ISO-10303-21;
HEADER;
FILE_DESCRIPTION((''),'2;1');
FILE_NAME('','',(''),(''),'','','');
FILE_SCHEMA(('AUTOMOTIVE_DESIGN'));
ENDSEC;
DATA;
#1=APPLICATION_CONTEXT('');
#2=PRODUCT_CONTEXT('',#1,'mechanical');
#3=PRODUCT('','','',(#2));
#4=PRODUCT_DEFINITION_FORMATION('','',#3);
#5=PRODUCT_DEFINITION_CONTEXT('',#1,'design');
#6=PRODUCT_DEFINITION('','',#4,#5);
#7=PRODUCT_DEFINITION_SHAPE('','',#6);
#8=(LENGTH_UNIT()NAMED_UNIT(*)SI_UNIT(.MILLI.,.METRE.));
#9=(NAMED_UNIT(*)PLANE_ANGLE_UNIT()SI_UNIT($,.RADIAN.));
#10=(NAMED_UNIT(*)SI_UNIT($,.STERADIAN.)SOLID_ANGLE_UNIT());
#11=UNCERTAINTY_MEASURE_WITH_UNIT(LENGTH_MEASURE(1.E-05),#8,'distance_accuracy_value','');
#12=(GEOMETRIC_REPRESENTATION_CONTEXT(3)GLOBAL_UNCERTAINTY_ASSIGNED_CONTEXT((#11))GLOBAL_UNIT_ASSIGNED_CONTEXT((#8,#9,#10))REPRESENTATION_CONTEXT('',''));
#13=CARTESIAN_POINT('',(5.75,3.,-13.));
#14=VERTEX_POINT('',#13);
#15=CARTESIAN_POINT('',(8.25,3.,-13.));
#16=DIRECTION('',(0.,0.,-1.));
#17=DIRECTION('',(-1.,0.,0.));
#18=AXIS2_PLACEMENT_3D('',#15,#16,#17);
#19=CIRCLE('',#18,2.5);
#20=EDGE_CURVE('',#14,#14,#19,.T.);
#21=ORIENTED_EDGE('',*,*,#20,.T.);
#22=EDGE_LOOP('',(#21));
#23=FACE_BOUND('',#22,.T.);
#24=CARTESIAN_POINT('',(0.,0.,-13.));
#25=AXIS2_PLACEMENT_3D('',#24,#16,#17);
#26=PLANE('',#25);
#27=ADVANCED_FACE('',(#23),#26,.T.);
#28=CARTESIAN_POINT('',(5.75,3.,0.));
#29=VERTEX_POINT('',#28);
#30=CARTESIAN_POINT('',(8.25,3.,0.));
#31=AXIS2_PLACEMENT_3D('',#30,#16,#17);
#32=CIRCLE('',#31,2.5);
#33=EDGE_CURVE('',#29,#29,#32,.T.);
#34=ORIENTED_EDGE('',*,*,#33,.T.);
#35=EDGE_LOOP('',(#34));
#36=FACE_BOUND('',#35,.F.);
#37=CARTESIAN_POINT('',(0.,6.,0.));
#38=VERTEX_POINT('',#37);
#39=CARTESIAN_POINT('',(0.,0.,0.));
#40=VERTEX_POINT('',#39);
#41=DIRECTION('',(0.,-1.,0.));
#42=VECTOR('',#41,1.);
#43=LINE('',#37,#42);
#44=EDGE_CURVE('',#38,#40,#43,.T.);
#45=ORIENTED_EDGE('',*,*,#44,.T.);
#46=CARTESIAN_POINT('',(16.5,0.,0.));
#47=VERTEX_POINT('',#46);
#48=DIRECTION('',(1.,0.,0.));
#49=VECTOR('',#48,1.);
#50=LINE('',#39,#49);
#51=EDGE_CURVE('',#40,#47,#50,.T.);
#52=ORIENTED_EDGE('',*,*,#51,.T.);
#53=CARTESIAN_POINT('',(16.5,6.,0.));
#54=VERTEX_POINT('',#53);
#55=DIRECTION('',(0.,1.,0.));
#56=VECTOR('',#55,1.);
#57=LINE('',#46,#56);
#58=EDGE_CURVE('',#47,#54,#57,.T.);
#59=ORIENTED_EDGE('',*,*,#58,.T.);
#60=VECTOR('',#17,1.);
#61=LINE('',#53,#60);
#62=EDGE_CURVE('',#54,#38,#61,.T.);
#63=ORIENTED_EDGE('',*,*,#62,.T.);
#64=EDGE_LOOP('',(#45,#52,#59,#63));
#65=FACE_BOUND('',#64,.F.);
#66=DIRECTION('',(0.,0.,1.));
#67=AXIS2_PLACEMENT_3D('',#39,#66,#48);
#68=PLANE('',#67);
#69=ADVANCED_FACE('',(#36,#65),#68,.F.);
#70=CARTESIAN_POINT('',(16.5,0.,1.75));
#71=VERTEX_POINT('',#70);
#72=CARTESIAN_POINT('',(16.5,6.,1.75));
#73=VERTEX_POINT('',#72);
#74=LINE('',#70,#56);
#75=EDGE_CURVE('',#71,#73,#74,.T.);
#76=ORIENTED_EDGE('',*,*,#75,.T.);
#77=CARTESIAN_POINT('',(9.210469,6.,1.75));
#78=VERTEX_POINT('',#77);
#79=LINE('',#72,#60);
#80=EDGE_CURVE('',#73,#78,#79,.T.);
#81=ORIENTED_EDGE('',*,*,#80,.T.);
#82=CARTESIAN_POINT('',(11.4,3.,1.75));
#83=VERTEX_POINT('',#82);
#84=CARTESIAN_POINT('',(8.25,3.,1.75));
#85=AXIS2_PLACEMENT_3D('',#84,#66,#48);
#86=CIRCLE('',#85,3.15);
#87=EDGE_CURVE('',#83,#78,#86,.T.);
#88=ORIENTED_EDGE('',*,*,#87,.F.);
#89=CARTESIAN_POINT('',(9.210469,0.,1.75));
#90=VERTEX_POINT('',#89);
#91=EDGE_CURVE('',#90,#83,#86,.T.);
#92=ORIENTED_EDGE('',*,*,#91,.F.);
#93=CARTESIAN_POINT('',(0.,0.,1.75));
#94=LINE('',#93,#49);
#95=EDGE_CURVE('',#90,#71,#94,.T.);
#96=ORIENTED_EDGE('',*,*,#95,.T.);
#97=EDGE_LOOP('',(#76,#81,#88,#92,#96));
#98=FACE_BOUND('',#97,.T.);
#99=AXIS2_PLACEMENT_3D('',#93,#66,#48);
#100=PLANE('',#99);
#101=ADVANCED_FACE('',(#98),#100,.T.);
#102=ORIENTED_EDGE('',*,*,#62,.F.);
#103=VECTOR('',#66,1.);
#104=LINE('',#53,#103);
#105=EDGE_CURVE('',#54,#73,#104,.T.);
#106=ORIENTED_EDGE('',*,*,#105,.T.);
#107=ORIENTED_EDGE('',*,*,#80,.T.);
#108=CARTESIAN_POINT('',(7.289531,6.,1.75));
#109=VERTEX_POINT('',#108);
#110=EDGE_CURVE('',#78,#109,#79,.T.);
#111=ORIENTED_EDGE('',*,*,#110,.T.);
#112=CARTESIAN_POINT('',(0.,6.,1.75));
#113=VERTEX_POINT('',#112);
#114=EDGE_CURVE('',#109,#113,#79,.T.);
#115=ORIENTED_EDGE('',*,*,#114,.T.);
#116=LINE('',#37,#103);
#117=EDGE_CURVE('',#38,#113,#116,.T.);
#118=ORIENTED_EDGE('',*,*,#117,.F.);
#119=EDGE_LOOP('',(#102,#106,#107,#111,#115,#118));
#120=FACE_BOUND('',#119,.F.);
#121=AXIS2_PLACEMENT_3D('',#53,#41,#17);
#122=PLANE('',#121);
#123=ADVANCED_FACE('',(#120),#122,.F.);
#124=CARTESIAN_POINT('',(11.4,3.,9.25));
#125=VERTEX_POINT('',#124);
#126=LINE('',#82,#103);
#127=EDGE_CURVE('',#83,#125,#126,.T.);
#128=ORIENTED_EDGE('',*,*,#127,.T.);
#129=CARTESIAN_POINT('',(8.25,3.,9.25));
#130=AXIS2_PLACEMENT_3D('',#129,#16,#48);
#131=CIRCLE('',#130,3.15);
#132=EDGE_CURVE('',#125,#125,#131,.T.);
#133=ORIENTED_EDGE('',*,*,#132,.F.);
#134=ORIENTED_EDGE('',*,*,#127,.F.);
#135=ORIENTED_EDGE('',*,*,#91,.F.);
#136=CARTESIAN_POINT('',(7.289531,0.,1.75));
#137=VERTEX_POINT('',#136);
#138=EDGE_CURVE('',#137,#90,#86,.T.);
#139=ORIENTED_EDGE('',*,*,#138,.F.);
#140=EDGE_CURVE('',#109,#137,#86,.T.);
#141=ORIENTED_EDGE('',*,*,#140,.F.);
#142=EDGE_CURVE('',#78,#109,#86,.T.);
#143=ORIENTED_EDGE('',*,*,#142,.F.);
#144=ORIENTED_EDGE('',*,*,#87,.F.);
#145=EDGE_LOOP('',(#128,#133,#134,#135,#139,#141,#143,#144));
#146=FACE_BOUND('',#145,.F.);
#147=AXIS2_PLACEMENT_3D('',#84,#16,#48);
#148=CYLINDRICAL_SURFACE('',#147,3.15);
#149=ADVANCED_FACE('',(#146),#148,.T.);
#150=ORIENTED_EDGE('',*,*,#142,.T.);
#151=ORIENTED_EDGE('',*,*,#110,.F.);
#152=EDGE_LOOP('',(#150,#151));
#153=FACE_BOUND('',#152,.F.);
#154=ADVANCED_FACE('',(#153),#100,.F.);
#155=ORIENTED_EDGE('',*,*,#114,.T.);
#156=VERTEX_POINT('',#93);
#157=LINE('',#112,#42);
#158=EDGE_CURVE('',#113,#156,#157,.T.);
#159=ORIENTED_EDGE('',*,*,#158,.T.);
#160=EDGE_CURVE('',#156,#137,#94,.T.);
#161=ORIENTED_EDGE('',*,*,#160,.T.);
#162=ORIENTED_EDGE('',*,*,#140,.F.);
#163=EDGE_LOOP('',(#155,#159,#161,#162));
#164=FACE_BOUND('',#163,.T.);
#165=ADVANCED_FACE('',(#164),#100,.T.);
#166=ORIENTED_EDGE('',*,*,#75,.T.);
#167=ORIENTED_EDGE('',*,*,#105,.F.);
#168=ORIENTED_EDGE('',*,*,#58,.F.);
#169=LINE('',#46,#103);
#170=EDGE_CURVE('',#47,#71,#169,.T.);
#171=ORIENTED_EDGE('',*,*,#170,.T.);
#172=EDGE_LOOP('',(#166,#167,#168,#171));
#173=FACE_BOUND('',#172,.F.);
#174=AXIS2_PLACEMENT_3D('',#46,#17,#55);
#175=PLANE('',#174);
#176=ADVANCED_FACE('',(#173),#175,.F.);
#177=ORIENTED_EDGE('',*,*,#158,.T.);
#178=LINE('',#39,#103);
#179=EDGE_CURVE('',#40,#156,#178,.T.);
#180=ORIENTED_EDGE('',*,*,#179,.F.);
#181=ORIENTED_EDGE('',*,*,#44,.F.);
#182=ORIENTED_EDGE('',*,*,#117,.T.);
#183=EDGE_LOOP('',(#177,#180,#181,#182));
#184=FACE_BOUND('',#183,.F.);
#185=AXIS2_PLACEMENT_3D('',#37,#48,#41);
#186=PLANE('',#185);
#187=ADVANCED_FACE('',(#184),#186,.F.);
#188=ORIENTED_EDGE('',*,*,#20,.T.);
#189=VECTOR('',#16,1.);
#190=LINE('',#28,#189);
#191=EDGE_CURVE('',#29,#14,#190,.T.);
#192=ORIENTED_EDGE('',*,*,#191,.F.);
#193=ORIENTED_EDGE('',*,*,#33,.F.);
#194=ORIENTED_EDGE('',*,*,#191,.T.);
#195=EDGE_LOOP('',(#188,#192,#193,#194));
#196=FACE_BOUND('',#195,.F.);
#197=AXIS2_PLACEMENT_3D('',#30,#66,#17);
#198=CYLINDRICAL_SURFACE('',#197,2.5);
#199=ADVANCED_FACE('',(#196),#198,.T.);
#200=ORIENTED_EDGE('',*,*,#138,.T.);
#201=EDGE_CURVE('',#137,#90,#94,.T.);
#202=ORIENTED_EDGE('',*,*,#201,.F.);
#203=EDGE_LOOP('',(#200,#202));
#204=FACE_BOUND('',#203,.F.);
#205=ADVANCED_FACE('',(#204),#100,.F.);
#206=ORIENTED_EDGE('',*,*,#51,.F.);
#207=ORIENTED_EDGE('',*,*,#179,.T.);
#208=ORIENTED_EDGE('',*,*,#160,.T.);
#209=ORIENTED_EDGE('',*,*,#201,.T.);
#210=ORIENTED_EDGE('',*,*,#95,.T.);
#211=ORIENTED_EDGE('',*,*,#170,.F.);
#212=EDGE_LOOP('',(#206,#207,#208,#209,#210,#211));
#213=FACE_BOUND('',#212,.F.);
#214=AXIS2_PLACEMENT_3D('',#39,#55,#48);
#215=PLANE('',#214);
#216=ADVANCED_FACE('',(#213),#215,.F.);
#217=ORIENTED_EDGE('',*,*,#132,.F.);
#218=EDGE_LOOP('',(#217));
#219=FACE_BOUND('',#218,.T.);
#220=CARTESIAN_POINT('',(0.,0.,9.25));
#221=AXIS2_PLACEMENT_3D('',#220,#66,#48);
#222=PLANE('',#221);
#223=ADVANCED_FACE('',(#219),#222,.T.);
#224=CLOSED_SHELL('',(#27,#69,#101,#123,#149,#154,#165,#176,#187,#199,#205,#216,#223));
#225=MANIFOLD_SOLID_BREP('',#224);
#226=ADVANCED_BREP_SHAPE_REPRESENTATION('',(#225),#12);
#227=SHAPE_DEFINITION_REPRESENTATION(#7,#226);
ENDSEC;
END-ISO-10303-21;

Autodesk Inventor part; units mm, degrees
ref_plane "YZ Plane" through (0, 0, 0) normal (1, 0, 0) x (0, 1, 0)
ref_plane "XZ Plane" through (0, 0, 0) normal (0, 1, 0) x (-1, 0, 0)
ref_plane "XY Plane" through (0, 0, 0) normal (0, 0, 1) x (1, 0, 0)
sketch "Sketch1" plane through (0, 0, 0) normal (0, 0, 1) x (1, 0, 0)
  line L0 (0, 0) -> (35.3316, 0)
  line L1 (0, 0) -> (16.5, 0)
  line L2 (16.5, 0) -> (16.5, 6)
  line L3 (16.5, 6) -> (0, 6)
  line L4 (0, 6) -> (0, 0)
  dimension "d0" = 16.5
  dimension "d1" = 6
extrude "Extrusion1" add sketch "Sketch1" along normal blind 1.75
sketch "Sketch2" plane through (0, 0, 1.75) normal (0, 0, 1) x (1, 0, 0)
  line L0 (0, 0) -> (16.5, 0) projected
  line L1 (16.5, 0) -> (16.5, 6) projected
  line L2 (16.5, 6) -> (0, 6) projected
  line L3 (0, 6) -> (0, 0) projected
  line L4 (8.25, 6) -> (8.25, 0) construction
  circle A0 centre (8.25, 3) radius 3.15
  dimension "d4" = 6.3
extrude "Extrusion2" add sketch "Sketch2" along normal blind 7.5 contours A0 L2 L0 | L0 A0 | A0 L2
sketch "Sketch3" plane through (0, 0, 0) normal (0, 0, -1) x (-1, 0, 0)
  line L0 (0, 0) -> (-16.5, 0) projected
  line L1 (0, 6) -> (0, 0) projected
  line L2 (-16.5, 6) -> (0, 6) projected
  line L3 (-16.5, 0) -> (-16.5, 6) projected
  line L4 (-8.25, 6) -> (-8.25, 0) construction
  circle A0 centre (-8.25, 3) radius 2.5
  dimension "d7" = 5
extrude "Extrusion3" add sketch "Sketch3" along normal blind 13 contours A0
properties part number "SMA whip end"
